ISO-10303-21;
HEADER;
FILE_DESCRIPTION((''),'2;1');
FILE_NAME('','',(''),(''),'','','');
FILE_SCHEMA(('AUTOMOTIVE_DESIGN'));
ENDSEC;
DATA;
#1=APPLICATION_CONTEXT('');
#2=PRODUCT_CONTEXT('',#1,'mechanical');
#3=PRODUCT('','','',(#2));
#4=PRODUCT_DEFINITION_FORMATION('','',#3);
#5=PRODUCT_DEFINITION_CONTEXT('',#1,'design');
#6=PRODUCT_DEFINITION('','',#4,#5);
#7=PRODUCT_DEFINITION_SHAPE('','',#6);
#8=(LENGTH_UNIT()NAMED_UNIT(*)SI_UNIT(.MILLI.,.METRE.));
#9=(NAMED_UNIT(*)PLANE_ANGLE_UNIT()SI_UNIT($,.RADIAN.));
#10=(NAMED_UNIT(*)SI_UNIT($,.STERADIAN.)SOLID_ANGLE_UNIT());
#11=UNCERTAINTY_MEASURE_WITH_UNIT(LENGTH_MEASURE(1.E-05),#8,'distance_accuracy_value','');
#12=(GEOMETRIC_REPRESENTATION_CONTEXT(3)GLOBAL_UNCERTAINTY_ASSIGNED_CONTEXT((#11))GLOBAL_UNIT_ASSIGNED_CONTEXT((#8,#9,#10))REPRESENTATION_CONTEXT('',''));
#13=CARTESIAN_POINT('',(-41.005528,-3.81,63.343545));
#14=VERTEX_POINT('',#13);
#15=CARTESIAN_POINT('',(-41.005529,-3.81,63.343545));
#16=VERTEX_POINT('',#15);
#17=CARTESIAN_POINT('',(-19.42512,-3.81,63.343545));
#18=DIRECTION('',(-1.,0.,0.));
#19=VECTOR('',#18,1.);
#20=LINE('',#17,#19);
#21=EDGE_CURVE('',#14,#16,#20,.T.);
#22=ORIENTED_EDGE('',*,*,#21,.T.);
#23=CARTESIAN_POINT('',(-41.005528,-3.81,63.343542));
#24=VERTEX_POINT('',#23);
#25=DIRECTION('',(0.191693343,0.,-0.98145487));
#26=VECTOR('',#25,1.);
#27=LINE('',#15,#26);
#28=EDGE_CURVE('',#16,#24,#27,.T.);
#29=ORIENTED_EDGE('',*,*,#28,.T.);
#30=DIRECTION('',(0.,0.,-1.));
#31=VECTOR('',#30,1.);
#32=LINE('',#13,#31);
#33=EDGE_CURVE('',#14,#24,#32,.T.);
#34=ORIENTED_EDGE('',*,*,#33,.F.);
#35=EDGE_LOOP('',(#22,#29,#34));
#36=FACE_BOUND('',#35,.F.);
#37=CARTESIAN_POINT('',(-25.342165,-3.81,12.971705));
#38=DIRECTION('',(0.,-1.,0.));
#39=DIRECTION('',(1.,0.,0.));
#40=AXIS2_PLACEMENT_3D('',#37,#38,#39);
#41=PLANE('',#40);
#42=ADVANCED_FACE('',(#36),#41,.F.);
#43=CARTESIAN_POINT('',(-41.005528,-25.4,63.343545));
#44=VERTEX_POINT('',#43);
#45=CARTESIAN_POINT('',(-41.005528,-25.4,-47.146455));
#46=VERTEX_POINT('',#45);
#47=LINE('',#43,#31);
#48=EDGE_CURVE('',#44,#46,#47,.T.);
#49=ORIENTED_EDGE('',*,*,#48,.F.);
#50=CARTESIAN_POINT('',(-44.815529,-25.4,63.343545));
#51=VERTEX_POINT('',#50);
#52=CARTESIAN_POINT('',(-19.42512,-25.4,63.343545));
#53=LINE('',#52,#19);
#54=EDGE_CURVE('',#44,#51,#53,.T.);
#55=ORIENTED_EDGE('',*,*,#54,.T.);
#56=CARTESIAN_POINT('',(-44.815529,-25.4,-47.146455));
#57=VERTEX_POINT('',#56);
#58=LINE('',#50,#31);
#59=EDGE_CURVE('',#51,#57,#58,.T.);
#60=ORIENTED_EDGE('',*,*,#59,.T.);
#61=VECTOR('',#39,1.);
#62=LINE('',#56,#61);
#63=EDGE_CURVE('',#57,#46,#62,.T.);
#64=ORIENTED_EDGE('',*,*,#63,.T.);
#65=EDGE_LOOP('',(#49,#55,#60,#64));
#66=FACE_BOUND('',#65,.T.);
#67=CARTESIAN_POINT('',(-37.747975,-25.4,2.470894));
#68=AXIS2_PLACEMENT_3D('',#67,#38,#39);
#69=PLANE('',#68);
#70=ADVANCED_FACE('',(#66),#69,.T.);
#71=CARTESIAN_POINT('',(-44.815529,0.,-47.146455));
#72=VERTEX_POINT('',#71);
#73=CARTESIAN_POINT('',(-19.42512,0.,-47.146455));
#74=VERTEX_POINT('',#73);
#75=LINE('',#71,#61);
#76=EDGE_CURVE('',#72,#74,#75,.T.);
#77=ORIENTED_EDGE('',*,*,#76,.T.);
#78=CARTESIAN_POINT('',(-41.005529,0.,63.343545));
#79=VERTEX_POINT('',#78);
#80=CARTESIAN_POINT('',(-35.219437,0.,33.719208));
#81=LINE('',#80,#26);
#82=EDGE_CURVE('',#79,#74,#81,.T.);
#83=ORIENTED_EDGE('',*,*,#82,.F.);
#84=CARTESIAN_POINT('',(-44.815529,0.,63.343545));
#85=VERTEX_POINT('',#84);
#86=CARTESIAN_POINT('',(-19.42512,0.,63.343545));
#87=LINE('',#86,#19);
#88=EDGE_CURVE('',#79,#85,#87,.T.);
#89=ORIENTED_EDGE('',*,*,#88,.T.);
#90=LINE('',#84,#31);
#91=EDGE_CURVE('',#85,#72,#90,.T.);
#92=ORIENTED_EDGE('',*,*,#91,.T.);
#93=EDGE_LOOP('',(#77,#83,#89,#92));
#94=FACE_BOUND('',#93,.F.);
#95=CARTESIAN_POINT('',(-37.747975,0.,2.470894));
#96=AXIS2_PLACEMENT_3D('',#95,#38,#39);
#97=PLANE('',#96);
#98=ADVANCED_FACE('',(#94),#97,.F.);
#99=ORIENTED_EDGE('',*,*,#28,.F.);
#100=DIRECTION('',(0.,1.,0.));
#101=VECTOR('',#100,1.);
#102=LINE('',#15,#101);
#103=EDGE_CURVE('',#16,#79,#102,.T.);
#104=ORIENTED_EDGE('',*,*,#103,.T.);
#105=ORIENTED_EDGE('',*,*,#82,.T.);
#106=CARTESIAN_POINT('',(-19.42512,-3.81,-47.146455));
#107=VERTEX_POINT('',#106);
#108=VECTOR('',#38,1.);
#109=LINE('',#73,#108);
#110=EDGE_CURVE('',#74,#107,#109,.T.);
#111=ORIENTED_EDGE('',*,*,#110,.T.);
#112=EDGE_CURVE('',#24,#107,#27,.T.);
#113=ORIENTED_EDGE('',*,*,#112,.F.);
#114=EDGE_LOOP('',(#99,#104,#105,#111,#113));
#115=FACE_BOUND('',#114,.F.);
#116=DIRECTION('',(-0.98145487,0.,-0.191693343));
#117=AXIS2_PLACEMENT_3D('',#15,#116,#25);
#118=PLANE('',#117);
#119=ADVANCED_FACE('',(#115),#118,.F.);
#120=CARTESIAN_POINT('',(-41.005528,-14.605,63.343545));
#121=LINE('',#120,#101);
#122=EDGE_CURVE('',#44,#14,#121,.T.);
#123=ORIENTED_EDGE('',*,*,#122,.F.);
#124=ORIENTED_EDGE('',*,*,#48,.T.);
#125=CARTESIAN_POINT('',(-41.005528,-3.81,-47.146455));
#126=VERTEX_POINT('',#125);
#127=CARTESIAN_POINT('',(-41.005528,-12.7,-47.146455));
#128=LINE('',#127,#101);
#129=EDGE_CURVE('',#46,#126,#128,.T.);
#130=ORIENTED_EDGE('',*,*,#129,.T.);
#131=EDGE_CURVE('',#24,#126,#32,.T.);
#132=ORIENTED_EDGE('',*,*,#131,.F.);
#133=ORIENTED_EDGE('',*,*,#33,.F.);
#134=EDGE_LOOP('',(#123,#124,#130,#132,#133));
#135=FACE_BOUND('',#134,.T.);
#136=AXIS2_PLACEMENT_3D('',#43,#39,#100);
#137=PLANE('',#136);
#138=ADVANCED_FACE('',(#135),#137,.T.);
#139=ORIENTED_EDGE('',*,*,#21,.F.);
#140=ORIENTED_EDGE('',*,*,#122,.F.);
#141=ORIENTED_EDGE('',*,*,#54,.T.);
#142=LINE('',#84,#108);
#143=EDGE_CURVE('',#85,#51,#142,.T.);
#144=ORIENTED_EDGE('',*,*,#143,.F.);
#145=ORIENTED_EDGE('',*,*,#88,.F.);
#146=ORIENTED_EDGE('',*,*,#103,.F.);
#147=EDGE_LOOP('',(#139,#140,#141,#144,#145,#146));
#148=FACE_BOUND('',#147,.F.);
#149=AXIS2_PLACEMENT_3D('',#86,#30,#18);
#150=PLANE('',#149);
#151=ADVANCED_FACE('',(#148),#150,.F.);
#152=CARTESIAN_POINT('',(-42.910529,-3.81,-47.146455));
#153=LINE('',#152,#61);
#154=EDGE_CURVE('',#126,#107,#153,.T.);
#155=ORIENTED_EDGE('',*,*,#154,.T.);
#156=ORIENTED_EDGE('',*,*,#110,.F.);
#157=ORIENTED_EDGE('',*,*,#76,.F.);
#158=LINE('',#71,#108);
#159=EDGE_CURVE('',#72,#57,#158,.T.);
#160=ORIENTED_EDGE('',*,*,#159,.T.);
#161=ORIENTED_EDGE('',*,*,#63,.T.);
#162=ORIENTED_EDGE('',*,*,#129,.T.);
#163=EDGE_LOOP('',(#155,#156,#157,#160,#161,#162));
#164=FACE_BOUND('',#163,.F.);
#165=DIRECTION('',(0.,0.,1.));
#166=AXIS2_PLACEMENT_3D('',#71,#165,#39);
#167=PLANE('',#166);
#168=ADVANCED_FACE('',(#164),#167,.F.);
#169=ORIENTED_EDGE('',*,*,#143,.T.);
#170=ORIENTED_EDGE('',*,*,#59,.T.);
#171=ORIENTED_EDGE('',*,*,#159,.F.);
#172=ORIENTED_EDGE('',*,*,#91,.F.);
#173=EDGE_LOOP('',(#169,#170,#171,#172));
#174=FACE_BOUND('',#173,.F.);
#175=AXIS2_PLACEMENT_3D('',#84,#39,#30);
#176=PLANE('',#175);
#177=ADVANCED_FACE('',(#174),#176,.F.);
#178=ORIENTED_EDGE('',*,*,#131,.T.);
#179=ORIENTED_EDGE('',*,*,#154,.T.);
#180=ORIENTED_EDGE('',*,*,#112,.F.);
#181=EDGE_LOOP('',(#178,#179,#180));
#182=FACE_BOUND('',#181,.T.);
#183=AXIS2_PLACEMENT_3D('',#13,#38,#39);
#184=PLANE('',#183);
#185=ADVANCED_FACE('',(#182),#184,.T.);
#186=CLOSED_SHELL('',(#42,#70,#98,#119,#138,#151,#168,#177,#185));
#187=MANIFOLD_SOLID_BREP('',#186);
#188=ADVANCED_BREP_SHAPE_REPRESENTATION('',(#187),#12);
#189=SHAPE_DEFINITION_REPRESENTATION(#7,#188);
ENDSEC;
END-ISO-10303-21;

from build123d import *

# Parameters (mm, degrees)
F1_DEPTH = 25.4
F2_W     = 21.580409
F2_H     = 21.59
F3_DEPTH = 127
F5_DEPTH = 25.4


with BuildPart() as f1:
    # F0 (on Front) → F1 (new body)
    with BuildSketch(Plane.XZ):
        Polygon((-19.42512, -47.146455), (-44.815529, 63.343545), (-44.815529, -47.146455), align=None)
        Polygon((-19.42512, 63.343545), (-44.815529, 63.343545), (-19.42512, -47.146455), align=None)
    extrude(amount=F1_DEPTH)

    # F2 (on face) → F3 (cut)
    with BuildSketch(Plane.XY.offset(63.343545)):
        with Locations((-30.215324, -14.605)):
            Rectangle(F2_W, F2_H)
    extrude(amount=-F3_DEPTH, mode=Mode.SUBTRACT)

    # F4 (on face) → F5 (cut)
    with BuildSketch(Plane.XZ.offset(3.81)):
        Polygon((-19.42512, 63.343545), (-41.005529, 63.343545), (-19.42512, -47.146455), align=None)
    extrude(amount=-F5_DEPTH, mode=Mode.SUBTRACT)


solid = f1.part
